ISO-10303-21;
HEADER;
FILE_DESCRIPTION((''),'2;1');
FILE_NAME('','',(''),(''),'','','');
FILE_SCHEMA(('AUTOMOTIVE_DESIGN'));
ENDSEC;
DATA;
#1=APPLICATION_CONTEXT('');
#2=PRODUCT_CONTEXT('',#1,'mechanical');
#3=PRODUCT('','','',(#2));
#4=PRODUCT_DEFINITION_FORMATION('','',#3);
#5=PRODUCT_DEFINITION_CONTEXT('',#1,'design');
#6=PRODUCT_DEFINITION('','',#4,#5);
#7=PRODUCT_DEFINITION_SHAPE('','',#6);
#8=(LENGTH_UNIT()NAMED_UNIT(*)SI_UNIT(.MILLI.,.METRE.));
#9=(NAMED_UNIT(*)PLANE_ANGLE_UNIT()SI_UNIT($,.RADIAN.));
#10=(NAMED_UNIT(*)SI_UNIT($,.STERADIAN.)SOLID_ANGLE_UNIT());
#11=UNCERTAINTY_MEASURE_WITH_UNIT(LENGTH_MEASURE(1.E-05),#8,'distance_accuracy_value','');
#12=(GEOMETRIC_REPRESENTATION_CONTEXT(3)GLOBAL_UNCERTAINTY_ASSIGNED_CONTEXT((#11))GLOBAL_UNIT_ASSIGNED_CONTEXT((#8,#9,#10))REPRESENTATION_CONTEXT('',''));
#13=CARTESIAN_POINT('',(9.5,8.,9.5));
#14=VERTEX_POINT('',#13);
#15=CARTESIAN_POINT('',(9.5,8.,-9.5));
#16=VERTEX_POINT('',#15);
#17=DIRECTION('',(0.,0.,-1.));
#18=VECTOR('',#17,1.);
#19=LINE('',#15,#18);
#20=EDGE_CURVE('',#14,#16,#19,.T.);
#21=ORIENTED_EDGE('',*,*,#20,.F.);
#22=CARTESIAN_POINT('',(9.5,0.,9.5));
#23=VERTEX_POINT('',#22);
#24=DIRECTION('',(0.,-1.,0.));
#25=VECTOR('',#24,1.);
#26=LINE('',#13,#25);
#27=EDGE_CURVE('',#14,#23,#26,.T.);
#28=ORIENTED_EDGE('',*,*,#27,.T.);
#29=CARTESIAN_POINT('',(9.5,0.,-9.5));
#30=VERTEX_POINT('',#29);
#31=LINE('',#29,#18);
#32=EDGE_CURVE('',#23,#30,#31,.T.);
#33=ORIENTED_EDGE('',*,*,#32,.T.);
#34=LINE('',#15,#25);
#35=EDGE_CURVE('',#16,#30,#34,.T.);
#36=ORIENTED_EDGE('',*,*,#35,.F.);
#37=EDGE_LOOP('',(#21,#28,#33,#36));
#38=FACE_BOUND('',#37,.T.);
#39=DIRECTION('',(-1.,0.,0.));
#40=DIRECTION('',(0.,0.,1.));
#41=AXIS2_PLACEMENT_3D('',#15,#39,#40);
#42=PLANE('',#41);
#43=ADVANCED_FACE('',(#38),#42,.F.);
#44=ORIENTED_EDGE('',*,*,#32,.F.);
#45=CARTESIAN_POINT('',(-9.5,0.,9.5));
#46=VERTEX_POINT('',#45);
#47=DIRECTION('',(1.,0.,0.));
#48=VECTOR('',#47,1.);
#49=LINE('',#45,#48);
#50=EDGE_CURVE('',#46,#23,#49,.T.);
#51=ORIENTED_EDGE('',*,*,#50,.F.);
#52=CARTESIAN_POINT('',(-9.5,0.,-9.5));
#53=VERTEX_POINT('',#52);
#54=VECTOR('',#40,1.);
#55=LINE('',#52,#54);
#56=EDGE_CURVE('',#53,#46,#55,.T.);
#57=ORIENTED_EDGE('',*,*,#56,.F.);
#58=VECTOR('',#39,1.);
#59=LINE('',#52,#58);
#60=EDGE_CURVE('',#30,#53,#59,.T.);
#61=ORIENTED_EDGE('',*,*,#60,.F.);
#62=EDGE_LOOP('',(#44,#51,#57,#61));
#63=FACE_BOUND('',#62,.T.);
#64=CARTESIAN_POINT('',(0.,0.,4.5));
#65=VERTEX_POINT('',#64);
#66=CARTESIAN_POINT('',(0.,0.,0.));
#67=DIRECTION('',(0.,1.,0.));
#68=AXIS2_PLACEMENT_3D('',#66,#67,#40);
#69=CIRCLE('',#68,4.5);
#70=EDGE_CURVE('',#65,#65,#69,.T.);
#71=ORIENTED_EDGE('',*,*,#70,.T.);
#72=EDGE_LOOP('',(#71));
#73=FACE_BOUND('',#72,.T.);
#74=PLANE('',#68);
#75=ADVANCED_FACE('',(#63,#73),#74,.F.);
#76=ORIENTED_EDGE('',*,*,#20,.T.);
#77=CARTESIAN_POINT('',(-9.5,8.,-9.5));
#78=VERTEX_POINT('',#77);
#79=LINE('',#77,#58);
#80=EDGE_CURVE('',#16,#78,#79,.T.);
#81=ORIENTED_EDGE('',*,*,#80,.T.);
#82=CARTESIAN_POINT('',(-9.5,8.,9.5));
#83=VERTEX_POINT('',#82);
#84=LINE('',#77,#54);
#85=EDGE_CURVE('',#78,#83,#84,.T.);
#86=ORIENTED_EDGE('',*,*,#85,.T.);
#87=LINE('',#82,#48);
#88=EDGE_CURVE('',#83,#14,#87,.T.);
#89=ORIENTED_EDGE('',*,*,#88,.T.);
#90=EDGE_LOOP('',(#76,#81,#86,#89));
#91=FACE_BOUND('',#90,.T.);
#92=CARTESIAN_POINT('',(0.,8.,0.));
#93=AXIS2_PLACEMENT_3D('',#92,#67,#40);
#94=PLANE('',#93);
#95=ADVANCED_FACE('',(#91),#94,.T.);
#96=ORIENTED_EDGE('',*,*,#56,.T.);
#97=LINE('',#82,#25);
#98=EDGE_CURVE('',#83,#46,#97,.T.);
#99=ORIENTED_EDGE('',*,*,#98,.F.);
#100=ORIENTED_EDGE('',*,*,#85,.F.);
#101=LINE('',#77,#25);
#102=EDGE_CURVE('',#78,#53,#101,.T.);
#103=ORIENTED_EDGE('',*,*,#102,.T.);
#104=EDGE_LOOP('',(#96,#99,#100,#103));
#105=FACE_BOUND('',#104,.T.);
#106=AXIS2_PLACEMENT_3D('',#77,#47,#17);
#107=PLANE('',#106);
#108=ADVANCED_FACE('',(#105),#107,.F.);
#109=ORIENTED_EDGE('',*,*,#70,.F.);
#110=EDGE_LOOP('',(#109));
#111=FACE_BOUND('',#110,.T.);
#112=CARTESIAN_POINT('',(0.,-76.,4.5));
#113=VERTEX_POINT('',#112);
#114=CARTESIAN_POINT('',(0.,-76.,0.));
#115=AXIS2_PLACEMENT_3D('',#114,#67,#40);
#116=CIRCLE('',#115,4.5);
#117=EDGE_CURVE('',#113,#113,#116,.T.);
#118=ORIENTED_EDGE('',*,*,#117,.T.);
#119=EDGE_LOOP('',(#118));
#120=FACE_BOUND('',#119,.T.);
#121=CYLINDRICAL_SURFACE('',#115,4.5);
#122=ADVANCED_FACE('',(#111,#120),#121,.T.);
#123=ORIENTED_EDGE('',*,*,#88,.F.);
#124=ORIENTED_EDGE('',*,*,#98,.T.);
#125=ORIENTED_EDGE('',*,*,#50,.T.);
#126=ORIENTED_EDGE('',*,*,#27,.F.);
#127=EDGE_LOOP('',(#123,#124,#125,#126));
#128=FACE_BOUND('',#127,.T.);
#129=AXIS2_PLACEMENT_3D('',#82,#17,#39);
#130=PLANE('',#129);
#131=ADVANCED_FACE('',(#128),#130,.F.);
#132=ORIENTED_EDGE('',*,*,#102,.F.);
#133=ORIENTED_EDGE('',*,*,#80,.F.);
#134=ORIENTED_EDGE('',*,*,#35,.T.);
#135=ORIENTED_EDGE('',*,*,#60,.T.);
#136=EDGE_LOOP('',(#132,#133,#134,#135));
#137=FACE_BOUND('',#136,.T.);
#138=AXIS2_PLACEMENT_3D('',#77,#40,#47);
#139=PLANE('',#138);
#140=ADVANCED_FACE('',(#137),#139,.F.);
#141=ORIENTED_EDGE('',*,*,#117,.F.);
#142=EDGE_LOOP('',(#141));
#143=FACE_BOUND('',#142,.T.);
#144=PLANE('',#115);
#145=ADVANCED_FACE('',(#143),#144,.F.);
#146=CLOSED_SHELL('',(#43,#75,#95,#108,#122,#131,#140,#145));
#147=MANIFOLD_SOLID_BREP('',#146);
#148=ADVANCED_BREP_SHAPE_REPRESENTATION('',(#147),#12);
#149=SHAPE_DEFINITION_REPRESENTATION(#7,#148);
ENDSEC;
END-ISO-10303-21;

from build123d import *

# Parameters (mm, degrees)
SKETCH3_W           = 19
SKETCH3_H           = 19
BOSS_EXTRUDE1_DEPTH = 8
SKETCH4_R           = 4.5
BOSS_EXTRUDE2_DEPTH = 76


with BuildPart() as part:
    # Sketch3 → Boss-Extrude1 (new body)
    with BuildSketch(Plane(origin=(0, 0, 0), x_dir=(1, 0, 0), z_dir=(0, 1, 0))):
        Rectangle(SKETCH3_W, SKETCH3_H)
    extrude(amount=BOSS_EXTRUDE1_DEPTH)

    # Sketch4 → Boss-Extrude2 (add)
    with BuildSketch(Plane(origin=(0, 0, 0), x_dir=(1, 0, 0), z_dir=(0, 1, 0))):
        with Locations(Location((0, 0, 0), (0, 0, 270))):  # turned: the seam where the file's is
            Circle(SKETCH4_R)
    extrude(amount=-BOSS_EXTRUDE2_DEPTH)


solid = part.part
